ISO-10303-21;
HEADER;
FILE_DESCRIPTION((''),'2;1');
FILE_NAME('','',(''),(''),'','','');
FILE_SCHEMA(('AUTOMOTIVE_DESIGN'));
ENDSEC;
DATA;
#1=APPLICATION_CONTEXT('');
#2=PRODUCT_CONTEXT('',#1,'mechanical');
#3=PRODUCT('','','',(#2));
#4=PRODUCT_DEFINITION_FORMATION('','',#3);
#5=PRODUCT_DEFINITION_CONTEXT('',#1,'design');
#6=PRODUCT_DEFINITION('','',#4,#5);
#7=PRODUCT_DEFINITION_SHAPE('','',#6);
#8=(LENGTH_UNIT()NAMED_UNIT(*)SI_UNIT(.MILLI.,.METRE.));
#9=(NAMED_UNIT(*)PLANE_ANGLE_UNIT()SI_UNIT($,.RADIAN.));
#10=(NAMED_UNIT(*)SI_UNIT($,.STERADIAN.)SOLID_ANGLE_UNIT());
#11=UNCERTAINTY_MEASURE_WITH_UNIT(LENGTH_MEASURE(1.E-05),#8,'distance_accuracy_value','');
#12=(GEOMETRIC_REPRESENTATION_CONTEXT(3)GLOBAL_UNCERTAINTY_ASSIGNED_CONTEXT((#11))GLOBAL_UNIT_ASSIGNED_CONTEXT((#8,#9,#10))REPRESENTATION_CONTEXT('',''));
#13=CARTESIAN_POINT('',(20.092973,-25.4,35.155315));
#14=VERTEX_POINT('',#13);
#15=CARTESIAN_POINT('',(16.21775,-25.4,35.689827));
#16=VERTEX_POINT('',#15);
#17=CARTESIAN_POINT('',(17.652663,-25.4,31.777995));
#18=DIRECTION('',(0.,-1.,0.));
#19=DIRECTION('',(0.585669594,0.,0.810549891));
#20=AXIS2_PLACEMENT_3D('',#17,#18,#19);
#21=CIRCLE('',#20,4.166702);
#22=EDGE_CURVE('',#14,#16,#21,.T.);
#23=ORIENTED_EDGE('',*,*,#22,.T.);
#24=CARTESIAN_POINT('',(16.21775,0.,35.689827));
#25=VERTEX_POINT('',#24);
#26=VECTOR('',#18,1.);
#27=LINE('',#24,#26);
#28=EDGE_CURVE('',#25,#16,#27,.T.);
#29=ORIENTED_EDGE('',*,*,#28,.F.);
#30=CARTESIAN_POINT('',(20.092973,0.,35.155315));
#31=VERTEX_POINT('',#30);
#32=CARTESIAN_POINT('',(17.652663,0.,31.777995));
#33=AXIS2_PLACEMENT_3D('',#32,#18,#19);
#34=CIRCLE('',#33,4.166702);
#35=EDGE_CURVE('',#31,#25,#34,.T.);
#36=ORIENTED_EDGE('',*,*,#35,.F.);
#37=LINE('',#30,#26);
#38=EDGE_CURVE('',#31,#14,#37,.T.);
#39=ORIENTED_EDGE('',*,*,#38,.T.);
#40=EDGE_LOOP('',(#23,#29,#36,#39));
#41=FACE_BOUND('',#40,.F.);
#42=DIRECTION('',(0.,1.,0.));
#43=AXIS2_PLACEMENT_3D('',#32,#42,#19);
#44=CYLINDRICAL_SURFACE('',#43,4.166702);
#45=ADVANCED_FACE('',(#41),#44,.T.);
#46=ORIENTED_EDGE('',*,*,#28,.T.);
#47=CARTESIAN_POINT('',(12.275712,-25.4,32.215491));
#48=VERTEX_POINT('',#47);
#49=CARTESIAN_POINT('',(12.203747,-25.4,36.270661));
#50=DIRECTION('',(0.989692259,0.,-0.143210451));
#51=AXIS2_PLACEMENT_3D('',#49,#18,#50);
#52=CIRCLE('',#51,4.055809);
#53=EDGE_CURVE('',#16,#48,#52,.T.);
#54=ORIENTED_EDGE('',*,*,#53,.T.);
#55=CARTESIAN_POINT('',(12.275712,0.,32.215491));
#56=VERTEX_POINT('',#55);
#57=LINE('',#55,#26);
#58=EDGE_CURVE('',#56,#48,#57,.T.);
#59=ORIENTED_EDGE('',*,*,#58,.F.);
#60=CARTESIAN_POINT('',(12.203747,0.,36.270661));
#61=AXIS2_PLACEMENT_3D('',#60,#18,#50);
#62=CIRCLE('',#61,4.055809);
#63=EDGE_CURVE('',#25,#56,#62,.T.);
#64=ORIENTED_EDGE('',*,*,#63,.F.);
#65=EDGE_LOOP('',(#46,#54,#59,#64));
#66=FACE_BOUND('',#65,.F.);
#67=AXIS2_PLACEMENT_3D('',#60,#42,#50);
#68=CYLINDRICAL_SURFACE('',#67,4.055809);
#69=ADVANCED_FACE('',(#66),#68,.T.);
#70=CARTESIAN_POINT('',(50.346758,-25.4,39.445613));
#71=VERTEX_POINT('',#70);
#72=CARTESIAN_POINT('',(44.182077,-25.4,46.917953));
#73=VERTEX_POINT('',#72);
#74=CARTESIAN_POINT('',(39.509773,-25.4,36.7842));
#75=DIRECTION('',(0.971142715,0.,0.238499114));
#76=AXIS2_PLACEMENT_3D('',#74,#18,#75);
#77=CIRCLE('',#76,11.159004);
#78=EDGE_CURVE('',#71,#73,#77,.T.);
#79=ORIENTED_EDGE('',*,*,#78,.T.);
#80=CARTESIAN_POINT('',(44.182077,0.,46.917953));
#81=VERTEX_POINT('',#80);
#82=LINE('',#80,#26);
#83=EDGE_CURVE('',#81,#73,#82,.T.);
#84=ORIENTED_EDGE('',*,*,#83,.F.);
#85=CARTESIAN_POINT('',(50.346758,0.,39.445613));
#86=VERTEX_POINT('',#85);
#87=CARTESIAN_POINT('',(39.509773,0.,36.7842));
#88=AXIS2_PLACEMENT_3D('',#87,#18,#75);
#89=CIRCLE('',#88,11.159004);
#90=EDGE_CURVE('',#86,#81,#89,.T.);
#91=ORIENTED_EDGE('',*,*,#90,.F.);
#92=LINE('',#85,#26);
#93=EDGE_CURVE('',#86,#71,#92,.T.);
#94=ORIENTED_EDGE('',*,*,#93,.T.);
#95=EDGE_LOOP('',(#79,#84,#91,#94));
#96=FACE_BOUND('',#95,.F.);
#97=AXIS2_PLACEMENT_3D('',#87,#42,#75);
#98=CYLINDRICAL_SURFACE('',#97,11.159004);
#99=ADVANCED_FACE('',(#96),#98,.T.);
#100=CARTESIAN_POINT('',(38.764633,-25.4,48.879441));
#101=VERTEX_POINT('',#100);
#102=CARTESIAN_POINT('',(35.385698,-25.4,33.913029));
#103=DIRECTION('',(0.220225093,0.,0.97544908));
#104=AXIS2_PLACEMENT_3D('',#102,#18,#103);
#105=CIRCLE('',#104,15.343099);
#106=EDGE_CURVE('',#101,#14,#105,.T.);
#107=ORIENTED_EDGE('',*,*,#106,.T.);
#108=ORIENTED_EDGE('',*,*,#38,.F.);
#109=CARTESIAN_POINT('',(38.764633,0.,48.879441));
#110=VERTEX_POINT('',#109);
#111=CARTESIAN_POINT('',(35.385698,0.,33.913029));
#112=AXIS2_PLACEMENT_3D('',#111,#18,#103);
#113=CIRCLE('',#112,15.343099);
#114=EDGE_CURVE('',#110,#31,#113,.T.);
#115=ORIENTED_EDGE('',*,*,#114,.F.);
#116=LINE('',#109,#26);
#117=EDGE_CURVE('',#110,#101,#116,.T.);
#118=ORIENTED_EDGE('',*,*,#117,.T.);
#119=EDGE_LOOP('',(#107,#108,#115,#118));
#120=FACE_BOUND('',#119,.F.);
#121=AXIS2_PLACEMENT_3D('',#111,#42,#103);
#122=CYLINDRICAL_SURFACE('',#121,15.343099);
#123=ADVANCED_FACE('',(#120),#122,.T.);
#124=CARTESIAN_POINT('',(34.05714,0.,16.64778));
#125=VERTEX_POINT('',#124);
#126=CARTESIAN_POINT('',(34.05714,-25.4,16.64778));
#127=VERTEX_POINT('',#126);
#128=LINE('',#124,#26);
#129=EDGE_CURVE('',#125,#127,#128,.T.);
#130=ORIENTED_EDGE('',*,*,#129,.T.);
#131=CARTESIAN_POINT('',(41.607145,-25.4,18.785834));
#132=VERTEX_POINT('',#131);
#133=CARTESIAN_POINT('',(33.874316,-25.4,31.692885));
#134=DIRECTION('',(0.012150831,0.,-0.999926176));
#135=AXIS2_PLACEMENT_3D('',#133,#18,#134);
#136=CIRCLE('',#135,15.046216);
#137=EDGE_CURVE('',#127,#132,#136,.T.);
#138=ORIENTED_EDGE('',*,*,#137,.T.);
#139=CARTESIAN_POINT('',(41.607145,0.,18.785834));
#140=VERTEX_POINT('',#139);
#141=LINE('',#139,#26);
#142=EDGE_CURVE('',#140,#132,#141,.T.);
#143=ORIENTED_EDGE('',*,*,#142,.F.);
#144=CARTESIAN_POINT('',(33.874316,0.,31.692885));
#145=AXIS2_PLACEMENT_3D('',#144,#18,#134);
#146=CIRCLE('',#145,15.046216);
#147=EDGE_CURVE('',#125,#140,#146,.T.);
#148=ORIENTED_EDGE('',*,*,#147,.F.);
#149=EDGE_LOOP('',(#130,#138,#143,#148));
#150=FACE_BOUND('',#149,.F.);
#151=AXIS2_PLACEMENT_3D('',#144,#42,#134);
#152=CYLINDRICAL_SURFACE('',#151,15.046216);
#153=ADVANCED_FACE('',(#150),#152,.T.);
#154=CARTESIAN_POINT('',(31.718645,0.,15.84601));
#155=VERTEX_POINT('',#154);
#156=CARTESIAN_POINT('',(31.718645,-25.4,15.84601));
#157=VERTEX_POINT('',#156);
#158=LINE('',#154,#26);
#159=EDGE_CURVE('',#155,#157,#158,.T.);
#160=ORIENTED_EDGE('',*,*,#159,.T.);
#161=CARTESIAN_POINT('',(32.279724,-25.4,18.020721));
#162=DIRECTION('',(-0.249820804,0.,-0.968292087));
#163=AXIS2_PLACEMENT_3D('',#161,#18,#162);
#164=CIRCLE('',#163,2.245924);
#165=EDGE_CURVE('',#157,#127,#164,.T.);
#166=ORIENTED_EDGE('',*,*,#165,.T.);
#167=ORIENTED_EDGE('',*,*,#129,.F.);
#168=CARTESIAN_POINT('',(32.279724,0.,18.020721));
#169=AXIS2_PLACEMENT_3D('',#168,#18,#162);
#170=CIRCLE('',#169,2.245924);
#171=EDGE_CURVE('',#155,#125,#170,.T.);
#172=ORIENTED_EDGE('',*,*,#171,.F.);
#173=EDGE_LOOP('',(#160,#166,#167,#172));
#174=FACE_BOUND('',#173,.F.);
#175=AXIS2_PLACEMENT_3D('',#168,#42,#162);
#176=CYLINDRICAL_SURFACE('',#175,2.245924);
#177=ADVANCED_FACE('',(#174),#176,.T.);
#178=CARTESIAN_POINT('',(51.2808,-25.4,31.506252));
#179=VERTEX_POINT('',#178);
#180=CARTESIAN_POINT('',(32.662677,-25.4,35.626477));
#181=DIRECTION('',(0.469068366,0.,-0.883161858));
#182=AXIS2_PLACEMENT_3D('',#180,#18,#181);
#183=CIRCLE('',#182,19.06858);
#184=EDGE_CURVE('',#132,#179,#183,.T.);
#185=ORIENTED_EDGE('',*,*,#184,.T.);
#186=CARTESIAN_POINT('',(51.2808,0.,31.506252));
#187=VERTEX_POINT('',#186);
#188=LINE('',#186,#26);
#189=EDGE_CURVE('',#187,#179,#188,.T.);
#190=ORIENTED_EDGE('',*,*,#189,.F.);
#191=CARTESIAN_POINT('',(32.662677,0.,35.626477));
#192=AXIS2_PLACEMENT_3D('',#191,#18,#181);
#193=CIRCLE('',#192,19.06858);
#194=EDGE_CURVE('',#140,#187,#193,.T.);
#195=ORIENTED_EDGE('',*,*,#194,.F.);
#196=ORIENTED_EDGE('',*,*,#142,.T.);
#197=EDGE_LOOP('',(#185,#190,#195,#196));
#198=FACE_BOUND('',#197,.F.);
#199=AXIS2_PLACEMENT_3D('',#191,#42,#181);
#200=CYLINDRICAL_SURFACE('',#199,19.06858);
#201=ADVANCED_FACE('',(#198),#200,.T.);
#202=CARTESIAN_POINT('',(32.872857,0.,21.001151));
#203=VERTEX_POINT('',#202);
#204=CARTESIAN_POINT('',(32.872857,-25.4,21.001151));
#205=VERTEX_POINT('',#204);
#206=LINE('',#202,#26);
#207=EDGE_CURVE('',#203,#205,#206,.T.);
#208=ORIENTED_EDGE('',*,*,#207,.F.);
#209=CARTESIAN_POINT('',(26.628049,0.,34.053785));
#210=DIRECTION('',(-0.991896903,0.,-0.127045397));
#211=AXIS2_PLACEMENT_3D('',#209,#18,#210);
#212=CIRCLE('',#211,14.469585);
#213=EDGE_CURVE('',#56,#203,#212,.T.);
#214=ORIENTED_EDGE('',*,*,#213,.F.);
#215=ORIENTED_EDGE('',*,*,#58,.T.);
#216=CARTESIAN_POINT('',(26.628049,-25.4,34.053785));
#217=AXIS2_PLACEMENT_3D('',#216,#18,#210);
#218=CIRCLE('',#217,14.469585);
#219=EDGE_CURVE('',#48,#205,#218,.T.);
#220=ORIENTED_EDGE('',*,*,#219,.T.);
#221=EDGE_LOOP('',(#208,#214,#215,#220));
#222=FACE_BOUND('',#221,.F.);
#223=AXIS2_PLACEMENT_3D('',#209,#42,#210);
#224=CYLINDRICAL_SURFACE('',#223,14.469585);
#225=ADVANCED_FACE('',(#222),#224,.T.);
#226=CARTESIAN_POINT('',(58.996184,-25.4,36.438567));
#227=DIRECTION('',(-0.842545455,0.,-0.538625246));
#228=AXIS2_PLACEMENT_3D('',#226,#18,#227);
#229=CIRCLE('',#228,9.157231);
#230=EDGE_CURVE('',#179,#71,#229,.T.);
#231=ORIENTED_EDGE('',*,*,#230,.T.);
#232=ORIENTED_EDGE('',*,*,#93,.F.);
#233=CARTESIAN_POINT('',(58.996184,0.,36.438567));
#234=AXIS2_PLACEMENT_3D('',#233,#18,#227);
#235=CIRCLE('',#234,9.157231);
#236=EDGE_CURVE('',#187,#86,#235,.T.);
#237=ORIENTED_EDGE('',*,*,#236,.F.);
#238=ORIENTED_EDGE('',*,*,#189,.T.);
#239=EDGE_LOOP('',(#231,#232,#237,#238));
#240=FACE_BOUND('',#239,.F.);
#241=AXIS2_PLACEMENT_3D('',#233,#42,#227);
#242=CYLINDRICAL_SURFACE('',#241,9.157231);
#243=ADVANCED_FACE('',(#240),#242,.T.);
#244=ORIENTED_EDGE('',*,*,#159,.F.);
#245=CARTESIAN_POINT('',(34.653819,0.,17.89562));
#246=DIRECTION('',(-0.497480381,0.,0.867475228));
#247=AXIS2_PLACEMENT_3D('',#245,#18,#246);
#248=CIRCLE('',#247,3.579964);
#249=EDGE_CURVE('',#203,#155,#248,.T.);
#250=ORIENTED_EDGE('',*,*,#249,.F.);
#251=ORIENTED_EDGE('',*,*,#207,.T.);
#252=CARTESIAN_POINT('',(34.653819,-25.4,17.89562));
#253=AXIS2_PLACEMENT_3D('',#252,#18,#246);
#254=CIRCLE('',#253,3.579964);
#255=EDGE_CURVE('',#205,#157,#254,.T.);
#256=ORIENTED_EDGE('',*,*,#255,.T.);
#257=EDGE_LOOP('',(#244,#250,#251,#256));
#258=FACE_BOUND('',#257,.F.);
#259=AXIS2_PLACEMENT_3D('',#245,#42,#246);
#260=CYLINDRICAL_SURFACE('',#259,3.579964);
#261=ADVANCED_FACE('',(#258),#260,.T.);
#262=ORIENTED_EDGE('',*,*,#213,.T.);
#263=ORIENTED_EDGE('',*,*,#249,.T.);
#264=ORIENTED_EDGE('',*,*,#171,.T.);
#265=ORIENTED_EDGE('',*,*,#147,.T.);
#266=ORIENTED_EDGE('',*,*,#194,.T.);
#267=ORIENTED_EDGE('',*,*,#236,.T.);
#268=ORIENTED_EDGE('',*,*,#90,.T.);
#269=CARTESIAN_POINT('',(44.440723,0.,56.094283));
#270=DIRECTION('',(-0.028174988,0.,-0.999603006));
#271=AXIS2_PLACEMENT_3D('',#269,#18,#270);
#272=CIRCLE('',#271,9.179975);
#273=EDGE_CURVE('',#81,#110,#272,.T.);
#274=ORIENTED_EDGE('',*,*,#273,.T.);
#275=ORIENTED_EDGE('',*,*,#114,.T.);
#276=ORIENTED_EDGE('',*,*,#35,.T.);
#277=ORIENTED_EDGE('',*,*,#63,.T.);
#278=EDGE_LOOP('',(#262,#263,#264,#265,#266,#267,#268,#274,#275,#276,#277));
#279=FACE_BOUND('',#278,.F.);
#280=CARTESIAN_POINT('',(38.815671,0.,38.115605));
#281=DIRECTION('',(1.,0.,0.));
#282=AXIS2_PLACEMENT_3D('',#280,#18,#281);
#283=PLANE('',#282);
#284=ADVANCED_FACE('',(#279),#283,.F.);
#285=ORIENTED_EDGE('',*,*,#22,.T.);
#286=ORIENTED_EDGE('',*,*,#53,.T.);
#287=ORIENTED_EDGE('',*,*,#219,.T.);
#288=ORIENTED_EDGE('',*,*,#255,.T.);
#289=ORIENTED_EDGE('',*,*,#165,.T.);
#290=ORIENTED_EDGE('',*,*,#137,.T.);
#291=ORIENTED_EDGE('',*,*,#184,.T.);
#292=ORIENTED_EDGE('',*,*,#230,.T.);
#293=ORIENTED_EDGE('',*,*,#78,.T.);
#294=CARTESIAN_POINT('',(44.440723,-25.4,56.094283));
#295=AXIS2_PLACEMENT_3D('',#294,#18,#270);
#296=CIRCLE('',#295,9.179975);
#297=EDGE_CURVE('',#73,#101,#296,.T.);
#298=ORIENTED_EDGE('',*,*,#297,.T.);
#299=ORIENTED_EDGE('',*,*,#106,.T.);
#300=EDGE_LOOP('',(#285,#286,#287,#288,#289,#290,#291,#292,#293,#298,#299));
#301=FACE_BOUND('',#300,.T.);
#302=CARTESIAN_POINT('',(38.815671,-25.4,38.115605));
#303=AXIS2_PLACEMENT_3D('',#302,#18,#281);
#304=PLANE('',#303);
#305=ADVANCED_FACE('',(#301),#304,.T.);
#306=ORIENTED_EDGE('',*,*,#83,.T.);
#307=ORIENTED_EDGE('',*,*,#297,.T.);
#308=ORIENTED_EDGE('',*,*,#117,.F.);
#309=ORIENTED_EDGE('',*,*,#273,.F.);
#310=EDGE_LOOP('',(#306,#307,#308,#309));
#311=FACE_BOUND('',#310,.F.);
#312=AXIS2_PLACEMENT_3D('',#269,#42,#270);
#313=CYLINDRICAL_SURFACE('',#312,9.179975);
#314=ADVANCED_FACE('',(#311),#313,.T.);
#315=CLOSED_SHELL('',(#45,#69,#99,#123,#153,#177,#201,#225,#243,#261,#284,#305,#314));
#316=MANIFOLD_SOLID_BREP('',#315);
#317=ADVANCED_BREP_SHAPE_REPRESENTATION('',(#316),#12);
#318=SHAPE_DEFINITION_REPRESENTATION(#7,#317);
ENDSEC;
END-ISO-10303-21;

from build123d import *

# Parameters (mm, degrees)
F1_DEPTH = 25.4


with BuildPart() as f1:
    # F0 (on Front) → F1 (new body)
    with BuildSketch(Plane.XZ):
        with BuildLine():
            ThreePointArc((50.3467582166, 39.4456125796), (48.1175299461, 43.8856003207), (44.1820770502, 46.9179525971))
            ThreePointArc((44.1820770502, 46.9179525971), (47.5659634485, 64.7259006233), (38.7646332383, 48.8794408739))
            ThreePointArc((38.7646332383, 48.8794408739), (26.2987566523, 46.275803368), (20.0929734856, 35.1553149521))
            ThreePointArc((20.0929734856, 35.1553149521), (18.2219885535, 35.9056183481), (16.2177495658, 35.6898270547))
            ThreePointArc((16.2177495658, 35.6898270547), (9.5220432011, 39.3133657078), (12.2757116333, 32.2154909372))
            ThreePointArc((12.2757116333, 32.2154909372), (19.7089905688, 21.3456957342), (32.8728567225, 21.0011505594))
            ThreePointArc((32.8728567225, 21.0011505594), (31.1603460575, 18.6777922114), (31.7186452448, 15.8460102975))
            ThreePointArc((31.7186452448, 15.8460102975), (33.0081318761, 15.89619811), (34.0571403503, 16.6477803141))
            ThreePointArc((34.0571403503, 16.6477803141), (37.9739759469, 17.2159588491), (41.60714522, 18.7858343124))
            ThreePointArc((41.60714522, 18.7858343124), (47.8408312593, 24.0837564297), (51.2808002532, 31.5062515438))
            ThreePointArc((51.2808002532, 31.5062515438), (68.0906934805, 37.5085092545), (50.3467582166, 39.4456125796))
        make_face()
        with BuildLine():
            ThreePointArc((33.2553721964, 21.1911462247), (33.0648155163, 21.0947369646), (32.8728567225, 21.0011505594))
            ThreePointArc((32.8728567225, 21.0011505594), (33.0612785402, 21.1018579065), (33.2553721964, 21.1911462247))
        make_face(mode=Mode.SUBTRACT)
        with BuildLine():
            ThreePointArc((33.2553721964, 21.1911462247), (33.0612785402, 21.1018579065), (32.8728567225, 21.0011505594))
            ThreePointArc((32.8728567225, 21.0011505594), (33.0648155163, 21.0947369646), (33.2553721964, 21.1911462247))
        make_face()
    extrude(amount=F1_DEPTH)


solid = f1.part
